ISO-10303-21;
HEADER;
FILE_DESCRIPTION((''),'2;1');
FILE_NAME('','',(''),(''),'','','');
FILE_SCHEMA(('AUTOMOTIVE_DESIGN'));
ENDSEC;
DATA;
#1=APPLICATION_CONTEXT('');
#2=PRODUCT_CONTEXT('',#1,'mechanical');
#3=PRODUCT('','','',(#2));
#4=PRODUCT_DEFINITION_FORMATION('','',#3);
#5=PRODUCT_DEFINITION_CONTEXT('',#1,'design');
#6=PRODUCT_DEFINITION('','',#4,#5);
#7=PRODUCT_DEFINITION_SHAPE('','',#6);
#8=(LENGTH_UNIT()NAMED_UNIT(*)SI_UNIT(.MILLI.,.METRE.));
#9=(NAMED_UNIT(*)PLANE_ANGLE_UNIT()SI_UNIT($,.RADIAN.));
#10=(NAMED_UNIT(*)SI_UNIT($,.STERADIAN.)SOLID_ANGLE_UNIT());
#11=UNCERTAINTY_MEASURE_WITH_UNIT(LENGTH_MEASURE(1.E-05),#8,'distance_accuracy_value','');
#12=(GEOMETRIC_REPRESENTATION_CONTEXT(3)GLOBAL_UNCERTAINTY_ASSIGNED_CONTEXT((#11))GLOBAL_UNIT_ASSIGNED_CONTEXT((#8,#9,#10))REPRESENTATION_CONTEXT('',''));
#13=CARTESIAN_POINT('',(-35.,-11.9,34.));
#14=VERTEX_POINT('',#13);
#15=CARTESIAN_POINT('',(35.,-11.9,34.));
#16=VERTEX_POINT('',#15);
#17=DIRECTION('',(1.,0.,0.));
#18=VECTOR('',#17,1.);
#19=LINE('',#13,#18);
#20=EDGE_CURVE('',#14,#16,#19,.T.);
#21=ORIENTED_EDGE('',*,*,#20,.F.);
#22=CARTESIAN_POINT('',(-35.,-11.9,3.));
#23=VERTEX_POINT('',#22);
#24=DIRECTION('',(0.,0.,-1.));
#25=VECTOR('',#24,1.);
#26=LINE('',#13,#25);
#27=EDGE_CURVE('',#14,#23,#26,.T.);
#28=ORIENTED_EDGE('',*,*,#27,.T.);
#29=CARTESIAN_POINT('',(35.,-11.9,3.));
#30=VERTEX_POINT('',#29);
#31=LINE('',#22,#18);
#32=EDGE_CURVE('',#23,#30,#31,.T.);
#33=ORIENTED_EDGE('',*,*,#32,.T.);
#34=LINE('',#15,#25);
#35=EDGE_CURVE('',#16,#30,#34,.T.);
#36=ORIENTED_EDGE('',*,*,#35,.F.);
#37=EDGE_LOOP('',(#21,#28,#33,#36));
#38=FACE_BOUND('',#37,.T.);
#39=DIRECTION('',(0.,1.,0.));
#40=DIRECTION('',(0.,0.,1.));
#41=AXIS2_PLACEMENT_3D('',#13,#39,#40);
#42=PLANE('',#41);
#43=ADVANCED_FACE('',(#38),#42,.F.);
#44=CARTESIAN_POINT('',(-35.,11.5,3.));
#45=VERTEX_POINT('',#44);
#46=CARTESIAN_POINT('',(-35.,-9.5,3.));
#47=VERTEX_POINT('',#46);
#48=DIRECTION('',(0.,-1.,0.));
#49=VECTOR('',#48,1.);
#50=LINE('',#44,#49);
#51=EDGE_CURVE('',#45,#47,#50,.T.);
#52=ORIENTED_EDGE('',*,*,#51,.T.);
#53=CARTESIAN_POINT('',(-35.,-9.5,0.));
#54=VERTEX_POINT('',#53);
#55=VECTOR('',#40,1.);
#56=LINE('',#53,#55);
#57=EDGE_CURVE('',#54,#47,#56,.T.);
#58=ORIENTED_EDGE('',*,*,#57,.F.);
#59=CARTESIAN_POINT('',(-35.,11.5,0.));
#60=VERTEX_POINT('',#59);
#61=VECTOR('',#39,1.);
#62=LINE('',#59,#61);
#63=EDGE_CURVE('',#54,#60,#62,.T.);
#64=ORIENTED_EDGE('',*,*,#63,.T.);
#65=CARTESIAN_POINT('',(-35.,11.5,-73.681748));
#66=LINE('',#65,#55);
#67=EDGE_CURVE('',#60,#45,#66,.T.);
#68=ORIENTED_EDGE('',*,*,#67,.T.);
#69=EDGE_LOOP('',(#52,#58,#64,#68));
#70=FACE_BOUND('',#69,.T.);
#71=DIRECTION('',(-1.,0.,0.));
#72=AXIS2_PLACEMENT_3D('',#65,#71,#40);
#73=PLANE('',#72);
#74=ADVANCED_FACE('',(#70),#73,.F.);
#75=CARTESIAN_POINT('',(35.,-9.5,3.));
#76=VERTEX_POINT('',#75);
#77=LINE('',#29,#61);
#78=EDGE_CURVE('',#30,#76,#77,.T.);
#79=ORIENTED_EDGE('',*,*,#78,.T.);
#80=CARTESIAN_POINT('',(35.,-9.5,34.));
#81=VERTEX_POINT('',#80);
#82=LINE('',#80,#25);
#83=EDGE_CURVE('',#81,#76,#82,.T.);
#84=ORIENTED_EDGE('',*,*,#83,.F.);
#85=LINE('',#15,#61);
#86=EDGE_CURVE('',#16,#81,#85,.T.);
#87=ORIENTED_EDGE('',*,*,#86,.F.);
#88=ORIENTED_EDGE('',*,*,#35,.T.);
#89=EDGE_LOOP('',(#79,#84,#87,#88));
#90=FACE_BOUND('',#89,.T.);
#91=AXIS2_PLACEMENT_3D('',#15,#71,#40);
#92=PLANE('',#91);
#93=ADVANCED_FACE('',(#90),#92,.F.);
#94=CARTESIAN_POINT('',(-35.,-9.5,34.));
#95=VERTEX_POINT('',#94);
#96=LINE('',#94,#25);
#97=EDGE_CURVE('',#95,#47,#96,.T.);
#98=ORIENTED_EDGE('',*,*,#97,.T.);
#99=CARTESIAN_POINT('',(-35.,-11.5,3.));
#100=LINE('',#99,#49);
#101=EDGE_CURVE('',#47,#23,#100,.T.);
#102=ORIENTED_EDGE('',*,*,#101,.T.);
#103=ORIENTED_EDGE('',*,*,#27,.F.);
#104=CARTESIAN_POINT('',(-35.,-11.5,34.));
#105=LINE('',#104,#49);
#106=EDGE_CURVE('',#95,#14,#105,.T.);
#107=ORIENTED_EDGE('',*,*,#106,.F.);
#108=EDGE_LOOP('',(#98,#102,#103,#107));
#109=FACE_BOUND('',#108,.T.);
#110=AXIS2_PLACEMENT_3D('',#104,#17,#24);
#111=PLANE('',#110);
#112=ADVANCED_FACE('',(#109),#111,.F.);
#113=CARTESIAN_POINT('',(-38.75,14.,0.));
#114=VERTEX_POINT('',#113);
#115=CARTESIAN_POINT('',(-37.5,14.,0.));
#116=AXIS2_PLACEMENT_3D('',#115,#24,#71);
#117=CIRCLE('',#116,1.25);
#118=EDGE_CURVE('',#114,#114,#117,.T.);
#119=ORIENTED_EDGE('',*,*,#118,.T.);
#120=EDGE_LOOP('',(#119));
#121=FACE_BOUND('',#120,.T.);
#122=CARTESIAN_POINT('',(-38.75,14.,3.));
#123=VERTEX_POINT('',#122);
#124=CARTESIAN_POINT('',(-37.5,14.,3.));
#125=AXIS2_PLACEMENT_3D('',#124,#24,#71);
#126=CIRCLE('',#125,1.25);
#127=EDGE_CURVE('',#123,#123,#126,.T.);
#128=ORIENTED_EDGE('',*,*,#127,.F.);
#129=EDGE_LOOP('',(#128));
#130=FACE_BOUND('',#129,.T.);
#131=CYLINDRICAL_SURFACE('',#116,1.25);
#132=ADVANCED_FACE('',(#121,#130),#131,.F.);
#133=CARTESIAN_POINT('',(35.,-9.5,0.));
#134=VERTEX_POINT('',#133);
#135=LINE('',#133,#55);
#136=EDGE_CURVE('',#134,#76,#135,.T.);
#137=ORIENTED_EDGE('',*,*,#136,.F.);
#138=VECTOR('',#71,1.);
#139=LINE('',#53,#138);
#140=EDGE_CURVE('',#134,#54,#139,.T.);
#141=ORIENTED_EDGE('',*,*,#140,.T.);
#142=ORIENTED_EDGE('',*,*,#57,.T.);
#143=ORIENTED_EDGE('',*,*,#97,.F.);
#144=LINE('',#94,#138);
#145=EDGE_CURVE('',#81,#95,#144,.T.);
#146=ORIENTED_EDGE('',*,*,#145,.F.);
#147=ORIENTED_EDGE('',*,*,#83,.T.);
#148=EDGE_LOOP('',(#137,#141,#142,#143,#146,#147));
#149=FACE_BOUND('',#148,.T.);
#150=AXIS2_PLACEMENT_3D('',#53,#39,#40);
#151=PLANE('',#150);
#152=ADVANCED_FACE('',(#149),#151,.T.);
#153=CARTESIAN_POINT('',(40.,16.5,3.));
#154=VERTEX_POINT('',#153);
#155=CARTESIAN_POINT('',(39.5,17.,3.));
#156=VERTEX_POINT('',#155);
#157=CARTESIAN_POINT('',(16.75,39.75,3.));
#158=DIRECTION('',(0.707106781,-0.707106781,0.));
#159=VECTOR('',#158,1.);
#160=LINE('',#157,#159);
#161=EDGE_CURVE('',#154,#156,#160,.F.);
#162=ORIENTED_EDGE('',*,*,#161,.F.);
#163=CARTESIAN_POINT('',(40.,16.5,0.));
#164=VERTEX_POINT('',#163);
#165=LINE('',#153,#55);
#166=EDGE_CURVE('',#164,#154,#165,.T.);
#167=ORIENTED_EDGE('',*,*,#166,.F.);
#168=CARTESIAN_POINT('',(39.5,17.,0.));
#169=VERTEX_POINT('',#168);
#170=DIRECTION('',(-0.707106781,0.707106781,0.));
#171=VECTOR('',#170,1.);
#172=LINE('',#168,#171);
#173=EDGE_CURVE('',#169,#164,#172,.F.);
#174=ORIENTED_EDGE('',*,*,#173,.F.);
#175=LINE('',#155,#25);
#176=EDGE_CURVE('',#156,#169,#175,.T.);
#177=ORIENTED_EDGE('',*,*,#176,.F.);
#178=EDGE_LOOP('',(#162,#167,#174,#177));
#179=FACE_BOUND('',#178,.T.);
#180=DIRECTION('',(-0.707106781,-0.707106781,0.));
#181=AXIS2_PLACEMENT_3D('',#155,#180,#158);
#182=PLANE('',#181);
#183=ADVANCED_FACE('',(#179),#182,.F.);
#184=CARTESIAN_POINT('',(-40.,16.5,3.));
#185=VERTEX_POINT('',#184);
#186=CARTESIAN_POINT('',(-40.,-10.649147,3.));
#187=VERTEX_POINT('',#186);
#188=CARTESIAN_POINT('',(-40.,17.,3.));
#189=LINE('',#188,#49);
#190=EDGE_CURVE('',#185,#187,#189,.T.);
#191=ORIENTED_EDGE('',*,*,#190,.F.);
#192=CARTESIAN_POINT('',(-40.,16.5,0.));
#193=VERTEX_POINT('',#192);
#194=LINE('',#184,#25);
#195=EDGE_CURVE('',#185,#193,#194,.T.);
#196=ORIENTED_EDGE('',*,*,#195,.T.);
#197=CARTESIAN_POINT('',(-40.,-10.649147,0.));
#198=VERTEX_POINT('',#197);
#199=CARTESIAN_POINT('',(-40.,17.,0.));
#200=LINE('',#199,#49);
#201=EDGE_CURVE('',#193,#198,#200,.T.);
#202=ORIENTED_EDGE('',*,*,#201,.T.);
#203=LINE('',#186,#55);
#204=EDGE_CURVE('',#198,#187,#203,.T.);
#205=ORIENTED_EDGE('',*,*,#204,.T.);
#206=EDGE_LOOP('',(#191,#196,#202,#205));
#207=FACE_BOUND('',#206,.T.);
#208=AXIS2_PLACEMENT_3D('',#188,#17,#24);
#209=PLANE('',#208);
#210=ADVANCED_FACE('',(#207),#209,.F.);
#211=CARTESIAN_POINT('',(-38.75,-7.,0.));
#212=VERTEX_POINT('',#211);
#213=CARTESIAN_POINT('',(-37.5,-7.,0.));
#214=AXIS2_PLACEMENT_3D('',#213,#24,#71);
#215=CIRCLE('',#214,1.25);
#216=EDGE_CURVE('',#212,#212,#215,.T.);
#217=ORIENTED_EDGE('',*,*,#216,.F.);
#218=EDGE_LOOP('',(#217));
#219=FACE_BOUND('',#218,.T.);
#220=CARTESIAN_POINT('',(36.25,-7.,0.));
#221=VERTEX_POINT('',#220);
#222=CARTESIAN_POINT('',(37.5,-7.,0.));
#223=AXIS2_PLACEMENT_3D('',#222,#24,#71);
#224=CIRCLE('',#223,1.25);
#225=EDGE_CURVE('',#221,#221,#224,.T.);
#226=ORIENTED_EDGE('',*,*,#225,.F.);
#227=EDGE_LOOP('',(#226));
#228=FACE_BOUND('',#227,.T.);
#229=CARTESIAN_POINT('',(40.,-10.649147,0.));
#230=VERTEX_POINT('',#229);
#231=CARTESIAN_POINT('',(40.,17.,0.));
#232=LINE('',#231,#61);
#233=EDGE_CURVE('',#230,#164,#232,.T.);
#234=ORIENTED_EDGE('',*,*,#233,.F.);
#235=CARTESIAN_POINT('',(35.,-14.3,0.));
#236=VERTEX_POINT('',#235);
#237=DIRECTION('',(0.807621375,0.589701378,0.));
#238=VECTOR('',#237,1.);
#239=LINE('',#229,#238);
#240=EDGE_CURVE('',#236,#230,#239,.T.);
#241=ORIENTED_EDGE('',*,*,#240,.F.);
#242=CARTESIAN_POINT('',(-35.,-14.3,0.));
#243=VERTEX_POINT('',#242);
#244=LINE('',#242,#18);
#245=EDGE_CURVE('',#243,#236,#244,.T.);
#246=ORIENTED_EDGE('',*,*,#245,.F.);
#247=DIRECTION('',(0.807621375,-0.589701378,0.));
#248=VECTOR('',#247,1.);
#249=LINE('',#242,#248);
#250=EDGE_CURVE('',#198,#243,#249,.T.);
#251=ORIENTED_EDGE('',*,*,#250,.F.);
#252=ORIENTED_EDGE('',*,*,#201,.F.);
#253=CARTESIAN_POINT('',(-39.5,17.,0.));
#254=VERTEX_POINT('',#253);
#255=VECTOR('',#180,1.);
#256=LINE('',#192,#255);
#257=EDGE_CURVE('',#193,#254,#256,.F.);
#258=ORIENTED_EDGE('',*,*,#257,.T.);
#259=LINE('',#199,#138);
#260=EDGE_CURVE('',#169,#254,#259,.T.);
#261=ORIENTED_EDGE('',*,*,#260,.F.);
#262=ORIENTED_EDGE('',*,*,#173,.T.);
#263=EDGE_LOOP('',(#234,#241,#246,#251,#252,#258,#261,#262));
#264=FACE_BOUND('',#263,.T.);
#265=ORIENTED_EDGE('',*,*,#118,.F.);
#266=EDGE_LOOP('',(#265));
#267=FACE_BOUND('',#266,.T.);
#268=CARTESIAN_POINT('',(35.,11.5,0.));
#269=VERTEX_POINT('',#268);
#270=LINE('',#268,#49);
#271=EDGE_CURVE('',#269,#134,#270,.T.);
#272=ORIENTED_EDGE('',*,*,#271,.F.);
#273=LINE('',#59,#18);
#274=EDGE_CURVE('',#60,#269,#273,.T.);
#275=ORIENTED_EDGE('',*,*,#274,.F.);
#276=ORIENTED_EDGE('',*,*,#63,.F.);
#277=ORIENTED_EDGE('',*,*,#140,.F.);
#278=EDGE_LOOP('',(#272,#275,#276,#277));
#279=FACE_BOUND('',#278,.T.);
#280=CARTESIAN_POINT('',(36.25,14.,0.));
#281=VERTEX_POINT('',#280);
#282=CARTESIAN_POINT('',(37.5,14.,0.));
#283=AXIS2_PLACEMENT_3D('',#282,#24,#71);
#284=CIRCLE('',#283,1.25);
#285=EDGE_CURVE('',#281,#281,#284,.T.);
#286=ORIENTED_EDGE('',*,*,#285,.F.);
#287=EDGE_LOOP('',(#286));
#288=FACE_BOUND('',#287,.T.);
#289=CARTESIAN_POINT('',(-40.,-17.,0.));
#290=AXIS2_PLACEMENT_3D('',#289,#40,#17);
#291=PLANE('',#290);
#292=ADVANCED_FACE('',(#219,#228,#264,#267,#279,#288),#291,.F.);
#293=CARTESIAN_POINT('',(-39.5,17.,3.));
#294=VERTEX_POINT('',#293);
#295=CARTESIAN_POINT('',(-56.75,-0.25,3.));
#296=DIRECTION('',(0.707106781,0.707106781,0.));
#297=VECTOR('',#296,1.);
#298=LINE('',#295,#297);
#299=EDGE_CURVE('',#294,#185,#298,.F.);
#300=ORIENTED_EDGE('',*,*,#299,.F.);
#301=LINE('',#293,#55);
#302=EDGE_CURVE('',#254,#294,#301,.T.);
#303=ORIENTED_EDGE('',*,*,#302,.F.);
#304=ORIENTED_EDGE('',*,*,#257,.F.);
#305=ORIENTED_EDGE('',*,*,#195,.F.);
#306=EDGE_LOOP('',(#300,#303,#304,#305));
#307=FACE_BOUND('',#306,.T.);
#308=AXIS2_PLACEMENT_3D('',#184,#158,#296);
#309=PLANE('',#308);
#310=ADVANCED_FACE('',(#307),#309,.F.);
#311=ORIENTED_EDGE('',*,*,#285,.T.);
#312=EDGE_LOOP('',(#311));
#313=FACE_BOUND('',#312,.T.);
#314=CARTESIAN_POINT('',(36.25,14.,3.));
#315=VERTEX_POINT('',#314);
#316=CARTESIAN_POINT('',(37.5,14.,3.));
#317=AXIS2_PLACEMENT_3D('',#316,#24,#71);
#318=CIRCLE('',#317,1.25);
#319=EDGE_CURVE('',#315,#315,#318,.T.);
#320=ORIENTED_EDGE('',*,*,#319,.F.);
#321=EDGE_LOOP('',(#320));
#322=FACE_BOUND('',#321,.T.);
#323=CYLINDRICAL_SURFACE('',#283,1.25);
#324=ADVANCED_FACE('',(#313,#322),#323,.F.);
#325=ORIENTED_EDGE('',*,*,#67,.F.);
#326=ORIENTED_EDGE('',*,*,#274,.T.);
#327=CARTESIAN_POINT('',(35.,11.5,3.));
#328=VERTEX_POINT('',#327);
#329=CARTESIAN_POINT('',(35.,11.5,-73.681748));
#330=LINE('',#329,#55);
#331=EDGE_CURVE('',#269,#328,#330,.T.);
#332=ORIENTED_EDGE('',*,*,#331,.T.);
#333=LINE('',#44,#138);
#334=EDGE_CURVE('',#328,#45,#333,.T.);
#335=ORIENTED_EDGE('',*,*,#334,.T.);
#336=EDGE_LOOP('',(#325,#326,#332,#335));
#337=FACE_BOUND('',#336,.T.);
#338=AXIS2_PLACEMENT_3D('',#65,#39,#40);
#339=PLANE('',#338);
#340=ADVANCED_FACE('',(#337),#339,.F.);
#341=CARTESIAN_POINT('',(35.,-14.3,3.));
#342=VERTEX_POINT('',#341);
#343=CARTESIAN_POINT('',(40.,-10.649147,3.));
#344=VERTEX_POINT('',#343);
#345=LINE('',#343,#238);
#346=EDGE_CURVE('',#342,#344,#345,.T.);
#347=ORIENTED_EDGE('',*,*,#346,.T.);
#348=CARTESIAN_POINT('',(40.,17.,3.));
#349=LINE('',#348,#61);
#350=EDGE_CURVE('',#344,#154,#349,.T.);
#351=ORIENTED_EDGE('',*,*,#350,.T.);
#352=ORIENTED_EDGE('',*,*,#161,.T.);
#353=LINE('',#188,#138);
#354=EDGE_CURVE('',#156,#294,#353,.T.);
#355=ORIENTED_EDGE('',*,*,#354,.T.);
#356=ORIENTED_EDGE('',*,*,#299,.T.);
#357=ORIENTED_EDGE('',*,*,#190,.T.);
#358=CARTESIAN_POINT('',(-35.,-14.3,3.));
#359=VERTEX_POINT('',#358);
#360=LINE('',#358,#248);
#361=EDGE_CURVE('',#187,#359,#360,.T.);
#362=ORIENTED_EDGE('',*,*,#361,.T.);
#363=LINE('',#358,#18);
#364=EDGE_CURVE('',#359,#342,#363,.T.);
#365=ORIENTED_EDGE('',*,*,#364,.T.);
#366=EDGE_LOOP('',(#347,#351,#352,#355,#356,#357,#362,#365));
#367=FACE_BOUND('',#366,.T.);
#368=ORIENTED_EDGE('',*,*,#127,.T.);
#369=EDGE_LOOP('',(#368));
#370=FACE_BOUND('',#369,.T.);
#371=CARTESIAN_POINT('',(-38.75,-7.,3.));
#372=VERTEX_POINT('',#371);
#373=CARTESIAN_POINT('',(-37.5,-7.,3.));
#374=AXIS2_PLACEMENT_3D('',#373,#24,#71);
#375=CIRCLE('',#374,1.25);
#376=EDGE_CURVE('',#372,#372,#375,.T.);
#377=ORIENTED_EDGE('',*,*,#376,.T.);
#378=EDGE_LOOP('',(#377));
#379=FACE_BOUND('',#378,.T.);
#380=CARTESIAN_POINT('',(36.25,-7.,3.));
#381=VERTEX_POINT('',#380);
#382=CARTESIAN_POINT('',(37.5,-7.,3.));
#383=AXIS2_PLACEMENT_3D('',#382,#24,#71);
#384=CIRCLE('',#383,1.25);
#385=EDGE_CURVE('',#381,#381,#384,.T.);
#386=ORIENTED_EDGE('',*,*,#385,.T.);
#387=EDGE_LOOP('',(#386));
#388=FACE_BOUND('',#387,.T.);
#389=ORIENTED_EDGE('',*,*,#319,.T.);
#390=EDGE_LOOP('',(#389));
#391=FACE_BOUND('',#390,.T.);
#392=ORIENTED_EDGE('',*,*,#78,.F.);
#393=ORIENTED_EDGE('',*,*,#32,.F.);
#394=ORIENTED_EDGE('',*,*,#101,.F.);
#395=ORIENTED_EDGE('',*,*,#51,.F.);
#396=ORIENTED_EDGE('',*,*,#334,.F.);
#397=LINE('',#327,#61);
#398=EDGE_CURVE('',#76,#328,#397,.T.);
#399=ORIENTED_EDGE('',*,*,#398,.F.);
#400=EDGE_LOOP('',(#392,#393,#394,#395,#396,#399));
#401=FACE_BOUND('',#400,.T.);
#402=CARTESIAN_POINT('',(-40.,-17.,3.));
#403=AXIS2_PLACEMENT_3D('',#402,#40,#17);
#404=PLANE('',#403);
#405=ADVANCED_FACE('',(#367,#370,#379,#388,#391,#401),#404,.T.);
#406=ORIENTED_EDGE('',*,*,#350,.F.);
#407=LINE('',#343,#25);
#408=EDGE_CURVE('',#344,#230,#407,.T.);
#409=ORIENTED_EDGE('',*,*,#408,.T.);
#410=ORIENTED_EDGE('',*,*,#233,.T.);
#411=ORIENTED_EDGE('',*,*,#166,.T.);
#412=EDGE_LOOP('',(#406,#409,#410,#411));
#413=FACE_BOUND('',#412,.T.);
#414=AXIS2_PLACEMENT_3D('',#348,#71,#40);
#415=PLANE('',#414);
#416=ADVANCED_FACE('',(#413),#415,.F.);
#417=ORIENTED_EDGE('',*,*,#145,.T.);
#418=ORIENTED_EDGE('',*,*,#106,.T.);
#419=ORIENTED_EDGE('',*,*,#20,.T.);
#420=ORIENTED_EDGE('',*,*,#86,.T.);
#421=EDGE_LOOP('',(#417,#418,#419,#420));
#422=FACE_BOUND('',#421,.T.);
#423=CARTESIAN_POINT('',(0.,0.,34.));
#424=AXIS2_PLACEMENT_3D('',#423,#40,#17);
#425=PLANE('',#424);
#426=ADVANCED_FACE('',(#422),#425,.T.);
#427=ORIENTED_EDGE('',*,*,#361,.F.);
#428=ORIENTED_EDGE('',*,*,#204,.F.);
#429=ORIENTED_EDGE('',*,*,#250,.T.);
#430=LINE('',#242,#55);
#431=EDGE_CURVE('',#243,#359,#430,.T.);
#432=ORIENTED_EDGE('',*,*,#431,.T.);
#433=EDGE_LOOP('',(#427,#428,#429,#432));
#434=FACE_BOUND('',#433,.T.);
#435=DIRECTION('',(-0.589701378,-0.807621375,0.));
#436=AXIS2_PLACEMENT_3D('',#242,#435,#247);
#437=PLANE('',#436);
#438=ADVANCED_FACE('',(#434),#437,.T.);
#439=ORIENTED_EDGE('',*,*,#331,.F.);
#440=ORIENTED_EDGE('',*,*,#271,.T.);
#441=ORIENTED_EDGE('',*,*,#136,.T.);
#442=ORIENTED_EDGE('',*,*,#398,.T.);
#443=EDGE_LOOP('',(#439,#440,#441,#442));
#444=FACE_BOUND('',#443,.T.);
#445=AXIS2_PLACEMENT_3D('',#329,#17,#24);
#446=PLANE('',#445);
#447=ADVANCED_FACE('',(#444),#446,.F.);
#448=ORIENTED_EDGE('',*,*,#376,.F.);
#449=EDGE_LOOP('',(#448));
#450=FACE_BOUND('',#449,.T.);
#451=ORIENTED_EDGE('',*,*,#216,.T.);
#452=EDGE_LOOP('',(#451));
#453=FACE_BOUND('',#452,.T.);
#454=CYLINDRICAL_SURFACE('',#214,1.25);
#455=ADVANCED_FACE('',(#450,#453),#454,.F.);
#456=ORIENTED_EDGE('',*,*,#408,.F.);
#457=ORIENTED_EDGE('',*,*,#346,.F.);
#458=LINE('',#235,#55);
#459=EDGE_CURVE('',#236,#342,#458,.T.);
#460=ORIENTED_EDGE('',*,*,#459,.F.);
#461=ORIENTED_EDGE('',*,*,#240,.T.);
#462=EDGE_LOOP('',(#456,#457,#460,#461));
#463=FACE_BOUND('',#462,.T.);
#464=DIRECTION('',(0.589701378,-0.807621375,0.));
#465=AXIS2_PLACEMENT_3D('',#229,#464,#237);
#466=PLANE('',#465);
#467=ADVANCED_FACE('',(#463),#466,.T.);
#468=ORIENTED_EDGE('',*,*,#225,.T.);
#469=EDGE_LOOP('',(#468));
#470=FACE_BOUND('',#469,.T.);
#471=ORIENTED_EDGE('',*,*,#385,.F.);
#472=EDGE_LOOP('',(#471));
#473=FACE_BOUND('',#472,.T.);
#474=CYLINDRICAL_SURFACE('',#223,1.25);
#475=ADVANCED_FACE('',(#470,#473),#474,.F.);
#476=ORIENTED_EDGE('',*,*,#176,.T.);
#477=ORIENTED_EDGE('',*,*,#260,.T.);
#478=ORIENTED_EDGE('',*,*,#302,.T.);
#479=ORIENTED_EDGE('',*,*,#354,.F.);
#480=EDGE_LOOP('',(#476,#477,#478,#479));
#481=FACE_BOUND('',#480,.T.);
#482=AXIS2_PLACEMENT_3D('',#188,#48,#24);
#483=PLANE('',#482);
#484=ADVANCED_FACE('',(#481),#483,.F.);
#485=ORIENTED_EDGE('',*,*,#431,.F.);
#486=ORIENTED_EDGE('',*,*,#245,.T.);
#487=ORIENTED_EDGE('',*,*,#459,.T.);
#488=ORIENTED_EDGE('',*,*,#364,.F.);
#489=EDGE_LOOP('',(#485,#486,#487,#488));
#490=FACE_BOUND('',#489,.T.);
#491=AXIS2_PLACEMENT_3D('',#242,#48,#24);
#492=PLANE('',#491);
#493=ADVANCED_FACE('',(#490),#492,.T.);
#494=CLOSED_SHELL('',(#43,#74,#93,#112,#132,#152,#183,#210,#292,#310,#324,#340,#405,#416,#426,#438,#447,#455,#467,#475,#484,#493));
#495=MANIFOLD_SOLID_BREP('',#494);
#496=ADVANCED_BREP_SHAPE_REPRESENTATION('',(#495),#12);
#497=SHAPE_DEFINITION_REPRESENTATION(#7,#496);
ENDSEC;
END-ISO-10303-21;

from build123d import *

# Parameters (mm, degrees)
SKETCH_1_W              = 80
SKETCH_1_H              = 34
EXTRUDE_1_DEPTH         = 3
SKETCH_2_W              = 70
SKETCH_2_H              = 23
CUT_EXTRUDE_2_DEPTH     = 3
CHAMFER_1_SIZE          = 0.5
SKETCH_7_W              = 25
SKETCH_7_H              = 3
CUT_EXTRUDE_6_DEPTH     = 3
FILLET_2_R              = 2
CHAMFER_2_SIZE          = 11
CHAMFER_2_SIZE2         = 6.350852961
CHAMFER_3_SIZE          = 11
CHAMFER_3_SIZE2         = 6.350852961
FILLET_3_R              = 2
HOLE_WIZARD_2_5_2_5_1_D = 2.5
SKETCH_11_W             = 69
SKETCH_11_H             = 10.181057749
CUT_EXTRUDE_1_DEPTH     = 10
EXTRUDE_2_DEPTH         = 3
EXTRUDE_4_DEPTH         = 3
EXTRUDE_5_DEPTH         = 31


with BuildPart() as part:
    # 草图1 → Extrude 1 (new body)
    with BuildSketch(Plane.XY):
        Rectangle(SKETCH_1_W, SKETCH_1_H)
    extrude(amount=EXTRUDE_1_DEPTH)

    # 草图2 → 拉伸2 (cut)
    with BuildSketch(Plane.XY.offset(3)):
        Rectangle(SKETCH_2_W, SKETCH_2_H)
    extrude(amount=-CUT_EXTRUDE_2_DEPTH, mode=Mode.SUBTRACT)

    # 倒角1
    chamfer_1_edges = [part.edges().sort_by_distance(p)[0] for p in [
        (-40, 17, 1.5),
        (40, 17, 1.5),
    ]]
    chamfer(chamfer_1_edges, length=CHAMFER_1_SIZE)

    # 草图7 → 拉伸6 (cut)
    with BuildSketch(Plane.XY.offset(3)):
        with Locations((0, -15.5)):
            Rectangle(SKETCH_7_W, SKETCH_7_H)
    extrude(amount=-CUT_EXTRUDE_6_DEPTH, mode=Mode.SUBTRACT)

    # 圆角2
    fillet_2_edges = [part.edges().sort_by_distance(p)[0] for p in [
        (-12.5, -14, 1.5),
        (12.5, -14, 1.5),
    ]]
    fillet(fillet_2_edges, radius=FILLET_2_R)

    # 倒角2
    chamfer_2_edges = [part.edges().sort_by_distance(p)[0] for p in [
        (40, -17, 1.5),
    ]]
    chamfer_2_side = [part.faces().sort_by_distance(p)[0] for p in [
        (26.25, -17, 1.5),
    ]]
    chamfer(chamfer_2_edges, length=CHAMFER_2_SIZE, length2=CHAMFER_2_SIZE2, reference=chamfer_2_side[0])

    # 倒角3
    chamfer_3_edges = [part.edges().sort_by_distance(p)[0] for p in [
        (-40, -17, 1.5),
    ]]
    chamfer_3_side = [part.faces().sort_by_distance(p)[0] for p in [
        (-26.25, -17, 1.5),
    ]]
    chamfer(chamfer_3_edges, length=CHAMFER_3_SIZE, length2=CHAMFER_3_SIZE2, reference=chamfer_3_side[0])

    # 圆角3
    fillet_3_edges = [part.edges().sort_by_distance(p)[0] for p in [
        (12.5, -17, 1.5),
        (-12.5, -17, 1.5),
    ]]
    fillet(fillet_3_edges, radius=FILLET_3_R)

    # Ø2.5 (2.5) 直径孔1 (through all)
    with Locations(Plane(origin=(-37.5, -7, 0), x_dir=(-1, 0, 0), z_dir=(0, 0, -1))):
        with Locations((0, 0), (0, 21), (-75, 21), (-75, 0)):
            Hole(HOLE_WIZARD_2_5_2_5_1_D / 2)

    # 草图11 → 切除-拉伸1 (cut)
    with BuildSketch(Plane.XY.offset(3)):
        with Locations((0, -18.915102393)):
            Rectangle(SKETCH_11_W, SKETCH_11_H)
    extrude(amount=-CUT_EXTRUDE_1_DEPTH, mode=Mode.SUBTRACT)

    # 草图12 → 凸台-拉伸2 (add)
    with BuildSketch(Plane.XY.offset(3)):
        Polygon((-40, -10.649147039), (-34.5, -13.824573519), (34.5, -13.824573519), (40, -10.649147039), (35, -14.3), (-35, -14.3), align=None)
    extrude(amount=-EXTRUDE_2_DEPTH)

    # 草图13 → 凸台-拉伸4 (add)
    with BuildSketch(Plane.XY.offset(3)):
        Polygon((-35, -11.5), (-35, -9.5), (35, -9.5), (35, -11.9), (-35, -11.9), align=None)
    extrude(amount=-EXTRUDE_4_DEPTH)

    # 草图13<2> → 凸台-拉伸5 (add)
    with BuildSketch(Plane.XY.offset(3)):
        Polygon((-35, -11.5), (-35, -9.5), (35, -9.5), (35, -11.9), (-35, -11.9), align=None)
    extrude(amount=EXTRUDE_5_DEPTH)


solid = part.part
